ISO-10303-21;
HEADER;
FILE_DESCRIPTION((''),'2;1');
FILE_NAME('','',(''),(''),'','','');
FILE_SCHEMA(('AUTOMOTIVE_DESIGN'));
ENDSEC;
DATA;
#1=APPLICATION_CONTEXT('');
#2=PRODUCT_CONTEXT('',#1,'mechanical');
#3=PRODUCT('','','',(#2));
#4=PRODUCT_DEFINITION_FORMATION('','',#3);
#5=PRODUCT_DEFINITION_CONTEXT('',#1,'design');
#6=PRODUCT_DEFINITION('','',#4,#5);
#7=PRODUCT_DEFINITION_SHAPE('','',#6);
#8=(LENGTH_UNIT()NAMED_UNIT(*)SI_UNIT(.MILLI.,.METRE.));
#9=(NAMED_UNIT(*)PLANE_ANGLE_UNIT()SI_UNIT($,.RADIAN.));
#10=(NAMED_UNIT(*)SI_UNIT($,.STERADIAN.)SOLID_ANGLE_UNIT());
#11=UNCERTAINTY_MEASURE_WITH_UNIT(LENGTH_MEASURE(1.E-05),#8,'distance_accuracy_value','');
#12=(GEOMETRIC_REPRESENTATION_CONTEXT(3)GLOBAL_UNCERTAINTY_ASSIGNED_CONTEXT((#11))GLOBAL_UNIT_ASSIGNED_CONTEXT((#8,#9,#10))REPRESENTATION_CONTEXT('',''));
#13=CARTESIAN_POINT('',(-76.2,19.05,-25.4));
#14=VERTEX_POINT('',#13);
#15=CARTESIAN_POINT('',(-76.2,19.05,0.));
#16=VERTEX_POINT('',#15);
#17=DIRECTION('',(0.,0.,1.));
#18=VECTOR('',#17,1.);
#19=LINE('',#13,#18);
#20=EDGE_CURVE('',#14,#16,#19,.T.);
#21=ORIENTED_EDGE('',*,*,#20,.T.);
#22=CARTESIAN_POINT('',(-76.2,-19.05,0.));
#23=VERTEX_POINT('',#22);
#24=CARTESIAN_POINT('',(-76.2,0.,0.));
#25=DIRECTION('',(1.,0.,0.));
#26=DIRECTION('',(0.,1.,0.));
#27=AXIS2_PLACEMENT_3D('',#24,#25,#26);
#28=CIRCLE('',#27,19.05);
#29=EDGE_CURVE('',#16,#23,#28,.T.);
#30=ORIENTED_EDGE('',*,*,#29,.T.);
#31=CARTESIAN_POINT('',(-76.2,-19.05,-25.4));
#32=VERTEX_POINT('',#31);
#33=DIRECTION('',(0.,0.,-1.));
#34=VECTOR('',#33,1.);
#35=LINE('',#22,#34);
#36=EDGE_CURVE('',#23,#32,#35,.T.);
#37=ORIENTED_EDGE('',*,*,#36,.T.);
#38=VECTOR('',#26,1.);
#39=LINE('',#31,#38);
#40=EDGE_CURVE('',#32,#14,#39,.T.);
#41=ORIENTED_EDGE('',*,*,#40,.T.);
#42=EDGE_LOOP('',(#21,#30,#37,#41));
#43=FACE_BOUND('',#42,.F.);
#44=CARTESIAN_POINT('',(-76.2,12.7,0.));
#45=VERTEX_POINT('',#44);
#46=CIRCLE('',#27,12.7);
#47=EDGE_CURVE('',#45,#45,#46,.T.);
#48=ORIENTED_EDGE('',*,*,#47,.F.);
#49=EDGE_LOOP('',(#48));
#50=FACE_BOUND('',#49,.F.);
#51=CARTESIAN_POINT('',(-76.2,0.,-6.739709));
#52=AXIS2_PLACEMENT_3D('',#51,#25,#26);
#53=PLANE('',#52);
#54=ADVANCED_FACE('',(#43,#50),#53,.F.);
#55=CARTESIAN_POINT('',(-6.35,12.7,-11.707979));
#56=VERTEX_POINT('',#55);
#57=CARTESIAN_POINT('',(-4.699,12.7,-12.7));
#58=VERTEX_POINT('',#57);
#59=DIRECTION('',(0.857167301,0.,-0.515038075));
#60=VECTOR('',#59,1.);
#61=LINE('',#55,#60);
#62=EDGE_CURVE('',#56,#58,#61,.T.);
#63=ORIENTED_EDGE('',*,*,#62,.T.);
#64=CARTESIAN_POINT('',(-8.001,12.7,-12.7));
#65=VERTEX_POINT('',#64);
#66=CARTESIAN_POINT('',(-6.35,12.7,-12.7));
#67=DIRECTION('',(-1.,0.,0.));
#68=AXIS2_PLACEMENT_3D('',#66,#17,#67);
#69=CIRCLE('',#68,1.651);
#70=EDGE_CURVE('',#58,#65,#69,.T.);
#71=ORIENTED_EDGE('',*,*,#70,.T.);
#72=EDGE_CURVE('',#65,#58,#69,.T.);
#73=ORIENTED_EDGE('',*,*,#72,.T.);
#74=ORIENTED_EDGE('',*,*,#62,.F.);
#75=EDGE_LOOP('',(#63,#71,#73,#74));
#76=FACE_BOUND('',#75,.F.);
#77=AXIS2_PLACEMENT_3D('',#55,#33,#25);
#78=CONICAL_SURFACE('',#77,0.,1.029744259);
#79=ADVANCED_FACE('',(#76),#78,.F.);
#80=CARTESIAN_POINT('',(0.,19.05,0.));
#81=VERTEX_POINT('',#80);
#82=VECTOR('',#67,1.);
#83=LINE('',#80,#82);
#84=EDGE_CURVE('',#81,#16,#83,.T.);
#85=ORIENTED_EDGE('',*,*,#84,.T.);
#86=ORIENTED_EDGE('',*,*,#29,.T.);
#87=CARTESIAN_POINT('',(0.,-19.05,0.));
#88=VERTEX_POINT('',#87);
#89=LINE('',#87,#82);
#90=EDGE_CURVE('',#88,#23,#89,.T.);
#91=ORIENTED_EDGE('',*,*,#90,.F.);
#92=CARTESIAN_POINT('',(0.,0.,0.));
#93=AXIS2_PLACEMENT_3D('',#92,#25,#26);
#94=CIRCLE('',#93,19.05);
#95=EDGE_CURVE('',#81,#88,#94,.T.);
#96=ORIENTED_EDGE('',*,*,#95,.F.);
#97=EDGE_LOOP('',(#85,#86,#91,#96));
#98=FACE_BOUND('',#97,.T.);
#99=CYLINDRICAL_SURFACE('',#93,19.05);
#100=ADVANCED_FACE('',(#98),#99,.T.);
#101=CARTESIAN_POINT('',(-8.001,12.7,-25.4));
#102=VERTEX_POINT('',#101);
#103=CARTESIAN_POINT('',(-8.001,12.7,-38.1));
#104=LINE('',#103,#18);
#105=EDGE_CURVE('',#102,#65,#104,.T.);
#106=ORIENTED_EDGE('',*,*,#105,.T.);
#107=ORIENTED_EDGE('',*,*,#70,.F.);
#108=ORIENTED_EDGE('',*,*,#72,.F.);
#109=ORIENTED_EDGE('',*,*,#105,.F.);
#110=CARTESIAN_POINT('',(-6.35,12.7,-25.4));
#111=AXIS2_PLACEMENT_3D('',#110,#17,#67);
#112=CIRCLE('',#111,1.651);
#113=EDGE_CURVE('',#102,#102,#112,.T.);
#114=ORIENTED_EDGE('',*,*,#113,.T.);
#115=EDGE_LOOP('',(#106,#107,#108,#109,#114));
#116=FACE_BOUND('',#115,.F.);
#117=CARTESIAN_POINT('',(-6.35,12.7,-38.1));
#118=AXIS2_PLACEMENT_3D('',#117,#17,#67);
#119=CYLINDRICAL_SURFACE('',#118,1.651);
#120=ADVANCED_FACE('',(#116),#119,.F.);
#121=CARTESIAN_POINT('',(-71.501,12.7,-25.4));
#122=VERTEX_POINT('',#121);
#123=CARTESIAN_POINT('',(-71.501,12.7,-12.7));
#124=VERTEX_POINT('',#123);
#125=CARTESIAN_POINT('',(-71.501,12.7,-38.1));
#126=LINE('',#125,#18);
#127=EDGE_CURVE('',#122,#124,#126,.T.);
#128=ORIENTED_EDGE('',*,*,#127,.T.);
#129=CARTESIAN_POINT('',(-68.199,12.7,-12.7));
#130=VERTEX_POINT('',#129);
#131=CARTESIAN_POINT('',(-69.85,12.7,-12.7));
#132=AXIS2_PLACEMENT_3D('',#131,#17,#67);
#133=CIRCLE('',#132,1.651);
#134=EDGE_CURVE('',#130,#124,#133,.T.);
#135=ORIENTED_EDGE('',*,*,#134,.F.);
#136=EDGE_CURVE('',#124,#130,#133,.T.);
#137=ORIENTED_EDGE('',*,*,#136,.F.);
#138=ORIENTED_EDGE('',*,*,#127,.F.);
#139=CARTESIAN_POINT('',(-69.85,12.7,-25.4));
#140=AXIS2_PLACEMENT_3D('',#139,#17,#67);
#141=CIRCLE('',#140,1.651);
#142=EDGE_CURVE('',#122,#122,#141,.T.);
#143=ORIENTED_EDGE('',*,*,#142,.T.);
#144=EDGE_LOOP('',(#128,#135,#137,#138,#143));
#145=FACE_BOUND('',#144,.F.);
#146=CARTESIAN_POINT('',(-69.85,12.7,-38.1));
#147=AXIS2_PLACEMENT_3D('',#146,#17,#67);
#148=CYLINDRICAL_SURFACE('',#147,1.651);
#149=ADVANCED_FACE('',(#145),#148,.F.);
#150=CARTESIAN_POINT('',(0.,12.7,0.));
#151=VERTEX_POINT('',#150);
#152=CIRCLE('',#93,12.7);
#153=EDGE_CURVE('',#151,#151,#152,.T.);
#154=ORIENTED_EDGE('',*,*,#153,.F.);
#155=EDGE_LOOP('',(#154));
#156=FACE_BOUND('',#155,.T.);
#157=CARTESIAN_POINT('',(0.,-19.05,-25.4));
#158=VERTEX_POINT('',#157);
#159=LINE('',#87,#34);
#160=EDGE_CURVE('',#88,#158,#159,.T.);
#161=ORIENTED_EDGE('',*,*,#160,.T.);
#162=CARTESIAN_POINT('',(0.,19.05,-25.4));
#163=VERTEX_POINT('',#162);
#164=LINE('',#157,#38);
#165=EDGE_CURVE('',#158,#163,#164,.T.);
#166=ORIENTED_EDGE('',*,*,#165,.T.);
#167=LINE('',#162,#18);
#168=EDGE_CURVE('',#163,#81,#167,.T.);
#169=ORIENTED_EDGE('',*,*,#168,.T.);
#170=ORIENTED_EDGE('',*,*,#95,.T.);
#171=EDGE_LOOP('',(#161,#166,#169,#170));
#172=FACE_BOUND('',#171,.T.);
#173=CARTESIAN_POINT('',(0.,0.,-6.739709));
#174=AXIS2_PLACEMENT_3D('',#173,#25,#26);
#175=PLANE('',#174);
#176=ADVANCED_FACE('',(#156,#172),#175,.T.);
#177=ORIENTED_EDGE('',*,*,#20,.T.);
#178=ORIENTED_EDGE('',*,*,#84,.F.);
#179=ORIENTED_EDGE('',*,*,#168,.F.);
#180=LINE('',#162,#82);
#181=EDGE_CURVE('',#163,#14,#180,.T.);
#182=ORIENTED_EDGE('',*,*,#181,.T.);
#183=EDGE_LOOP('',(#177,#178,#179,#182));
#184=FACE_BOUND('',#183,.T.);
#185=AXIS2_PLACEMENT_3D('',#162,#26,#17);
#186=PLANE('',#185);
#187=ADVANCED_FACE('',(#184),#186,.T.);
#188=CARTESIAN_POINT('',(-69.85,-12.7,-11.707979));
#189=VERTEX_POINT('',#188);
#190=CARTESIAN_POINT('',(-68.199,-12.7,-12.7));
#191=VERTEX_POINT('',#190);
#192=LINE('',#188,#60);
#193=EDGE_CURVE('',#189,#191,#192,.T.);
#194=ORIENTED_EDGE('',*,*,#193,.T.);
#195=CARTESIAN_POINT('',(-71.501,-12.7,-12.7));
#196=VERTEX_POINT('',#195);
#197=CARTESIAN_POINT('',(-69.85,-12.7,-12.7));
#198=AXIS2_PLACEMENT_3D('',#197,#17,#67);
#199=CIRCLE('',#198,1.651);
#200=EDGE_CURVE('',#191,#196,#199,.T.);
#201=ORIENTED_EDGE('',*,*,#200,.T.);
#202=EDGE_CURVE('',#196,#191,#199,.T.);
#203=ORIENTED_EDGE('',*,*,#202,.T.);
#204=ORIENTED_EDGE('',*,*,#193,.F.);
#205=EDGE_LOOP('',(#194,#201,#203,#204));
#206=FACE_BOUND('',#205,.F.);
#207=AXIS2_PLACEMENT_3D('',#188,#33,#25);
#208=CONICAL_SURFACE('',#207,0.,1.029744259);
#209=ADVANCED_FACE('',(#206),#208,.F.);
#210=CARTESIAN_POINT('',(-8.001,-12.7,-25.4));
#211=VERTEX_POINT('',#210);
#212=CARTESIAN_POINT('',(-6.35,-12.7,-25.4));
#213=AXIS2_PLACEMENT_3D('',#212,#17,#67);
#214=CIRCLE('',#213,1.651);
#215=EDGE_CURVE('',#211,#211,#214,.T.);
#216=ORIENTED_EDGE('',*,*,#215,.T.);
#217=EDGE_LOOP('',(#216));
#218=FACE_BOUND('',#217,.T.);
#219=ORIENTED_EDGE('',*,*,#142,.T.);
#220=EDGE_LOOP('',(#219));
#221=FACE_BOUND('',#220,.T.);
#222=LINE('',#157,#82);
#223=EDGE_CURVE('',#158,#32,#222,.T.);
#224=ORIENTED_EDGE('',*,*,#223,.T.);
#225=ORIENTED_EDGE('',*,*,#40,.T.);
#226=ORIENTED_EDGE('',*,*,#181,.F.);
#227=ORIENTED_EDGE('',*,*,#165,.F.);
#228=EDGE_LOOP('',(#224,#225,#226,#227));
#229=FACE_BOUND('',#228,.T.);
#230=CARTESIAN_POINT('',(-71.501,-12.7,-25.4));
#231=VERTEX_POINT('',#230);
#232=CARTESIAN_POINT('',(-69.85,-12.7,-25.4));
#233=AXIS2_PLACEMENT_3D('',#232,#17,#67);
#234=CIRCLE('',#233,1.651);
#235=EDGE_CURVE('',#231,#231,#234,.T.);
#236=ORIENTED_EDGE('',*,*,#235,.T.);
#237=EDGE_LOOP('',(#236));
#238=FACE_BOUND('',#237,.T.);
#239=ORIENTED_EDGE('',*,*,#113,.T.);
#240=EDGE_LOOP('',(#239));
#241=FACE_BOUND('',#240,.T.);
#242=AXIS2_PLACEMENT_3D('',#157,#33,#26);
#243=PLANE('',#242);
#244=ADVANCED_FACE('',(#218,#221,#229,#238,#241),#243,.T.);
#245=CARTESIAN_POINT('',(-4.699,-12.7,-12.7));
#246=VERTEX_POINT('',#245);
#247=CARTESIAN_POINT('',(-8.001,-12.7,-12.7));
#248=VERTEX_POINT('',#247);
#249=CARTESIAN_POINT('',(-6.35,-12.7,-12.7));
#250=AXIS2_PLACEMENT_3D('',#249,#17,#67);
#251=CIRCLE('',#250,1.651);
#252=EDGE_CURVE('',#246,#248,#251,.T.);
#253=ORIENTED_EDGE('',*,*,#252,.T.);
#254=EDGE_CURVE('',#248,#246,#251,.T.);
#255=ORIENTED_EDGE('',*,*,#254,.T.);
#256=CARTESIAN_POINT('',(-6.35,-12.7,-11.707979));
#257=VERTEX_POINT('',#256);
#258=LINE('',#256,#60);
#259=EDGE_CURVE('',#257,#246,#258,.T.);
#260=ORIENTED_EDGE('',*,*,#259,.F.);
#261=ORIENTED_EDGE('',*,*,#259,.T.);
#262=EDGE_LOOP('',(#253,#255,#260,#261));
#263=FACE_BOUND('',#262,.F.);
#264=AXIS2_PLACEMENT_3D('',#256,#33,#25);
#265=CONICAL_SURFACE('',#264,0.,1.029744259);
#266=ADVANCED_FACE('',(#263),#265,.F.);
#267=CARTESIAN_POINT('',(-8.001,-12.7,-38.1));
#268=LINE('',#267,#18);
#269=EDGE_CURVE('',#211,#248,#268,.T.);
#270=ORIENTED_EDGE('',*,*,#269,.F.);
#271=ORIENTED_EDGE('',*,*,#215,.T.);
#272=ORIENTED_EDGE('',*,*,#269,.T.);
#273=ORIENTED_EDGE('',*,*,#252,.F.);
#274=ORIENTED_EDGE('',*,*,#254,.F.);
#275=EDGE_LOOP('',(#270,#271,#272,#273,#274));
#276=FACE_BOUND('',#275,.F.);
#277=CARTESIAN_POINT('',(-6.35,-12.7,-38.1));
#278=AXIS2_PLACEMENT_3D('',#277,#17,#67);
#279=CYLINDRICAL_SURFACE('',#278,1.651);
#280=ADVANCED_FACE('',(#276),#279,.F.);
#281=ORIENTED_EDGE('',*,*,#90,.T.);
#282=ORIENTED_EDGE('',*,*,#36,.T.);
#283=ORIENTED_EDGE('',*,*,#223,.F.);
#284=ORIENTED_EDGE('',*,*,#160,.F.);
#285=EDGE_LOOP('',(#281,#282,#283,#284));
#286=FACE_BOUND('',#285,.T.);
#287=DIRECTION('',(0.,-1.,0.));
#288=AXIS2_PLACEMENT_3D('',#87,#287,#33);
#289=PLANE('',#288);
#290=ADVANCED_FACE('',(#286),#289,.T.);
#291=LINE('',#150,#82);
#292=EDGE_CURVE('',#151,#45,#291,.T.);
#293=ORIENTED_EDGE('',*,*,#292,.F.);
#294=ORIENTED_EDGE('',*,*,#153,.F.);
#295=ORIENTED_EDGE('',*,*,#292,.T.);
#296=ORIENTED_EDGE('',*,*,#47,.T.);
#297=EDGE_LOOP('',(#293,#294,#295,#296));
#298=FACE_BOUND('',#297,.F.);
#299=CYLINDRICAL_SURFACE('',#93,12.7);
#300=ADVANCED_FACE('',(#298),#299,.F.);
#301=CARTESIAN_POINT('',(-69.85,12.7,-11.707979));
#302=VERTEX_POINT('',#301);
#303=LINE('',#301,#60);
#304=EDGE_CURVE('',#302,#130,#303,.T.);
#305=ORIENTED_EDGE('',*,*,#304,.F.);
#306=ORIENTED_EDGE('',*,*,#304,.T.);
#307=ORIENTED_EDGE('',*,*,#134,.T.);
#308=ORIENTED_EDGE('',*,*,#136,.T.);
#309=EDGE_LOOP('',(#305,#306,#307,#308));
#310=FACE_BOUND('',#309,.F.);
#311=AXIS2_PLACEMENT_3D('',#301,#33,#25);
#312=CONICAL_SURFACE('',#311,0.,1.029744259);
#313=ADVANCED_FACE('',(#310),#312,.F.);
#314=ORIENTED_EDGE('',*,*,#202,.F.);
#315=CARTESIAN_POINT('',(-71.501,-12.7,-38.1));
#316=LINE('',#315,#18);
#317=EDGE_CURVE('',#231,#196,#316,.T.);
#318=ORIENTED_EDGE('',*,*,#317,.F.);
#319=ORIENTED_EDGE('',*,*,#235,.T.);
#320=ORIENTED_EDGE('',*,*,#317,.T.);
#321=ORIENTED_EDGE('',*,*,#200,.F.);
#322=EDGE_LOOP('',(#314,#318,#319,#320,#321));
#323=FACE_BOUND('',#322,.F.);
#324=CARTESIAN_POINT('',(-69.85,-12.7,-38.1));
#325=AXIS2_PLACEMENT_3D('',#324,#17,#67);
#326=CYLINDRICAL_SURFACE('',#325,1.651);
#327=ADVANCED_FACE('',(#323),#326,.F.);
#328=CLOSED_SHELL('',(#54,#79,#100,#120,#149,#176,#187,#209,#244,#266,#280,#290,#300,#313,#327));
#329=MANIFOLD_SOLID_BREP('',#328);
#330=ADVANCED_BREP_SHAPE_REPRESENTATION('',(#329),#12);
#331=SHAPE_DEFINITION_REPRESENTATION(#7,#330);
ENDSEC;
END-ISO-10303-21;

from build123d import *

# Parameters (mm, degrees)
F0_R     = 12.7
F1_DEPTH = 76.2
F3_D     = 3.302
F3_DEPTH = 12.7
F3_TIP   = 0.992020882


with BuildPart() as f1:
    # F0 (on Right) → F1 (new body)
    with BuildSketch(Plane.YZ):
        with BuildLine():
            Line((19.05, -25.4), (19.05, 0))
            ThreePointArc((19.05, 0), (0, 19.05), (-19.05, 0))
            Line((-19.05, 0), (-19.05, -25.4))
            Line((-19.05, -25.4), (19.05, -25.4))
        make_face()
        Circle(F0_R, mode=Mode.SUBTRACT)
    extrude(amount=-F1_DEPTH)

    # F3
    with Locations(Plane(origin=(0, 0, -25.4), x_dir=(1, 0, 0), z_dir=(0, 0, -1))):
        with Locations((-69.85, 12.7), (-69.85, -12.7), (-6.35, -12.7), (-6.35, 12.7)):
            Hole(F3_D / 2, depth=F3_DEPTH)
            with Locations((0, 0, -(F3_DEPTH + F3_TIP / 2))):  # 118° drill point
                Cone(0, F3_D / 2, F3_TIP, mode=Mode.SUBTRACT)


solid = f1.part
